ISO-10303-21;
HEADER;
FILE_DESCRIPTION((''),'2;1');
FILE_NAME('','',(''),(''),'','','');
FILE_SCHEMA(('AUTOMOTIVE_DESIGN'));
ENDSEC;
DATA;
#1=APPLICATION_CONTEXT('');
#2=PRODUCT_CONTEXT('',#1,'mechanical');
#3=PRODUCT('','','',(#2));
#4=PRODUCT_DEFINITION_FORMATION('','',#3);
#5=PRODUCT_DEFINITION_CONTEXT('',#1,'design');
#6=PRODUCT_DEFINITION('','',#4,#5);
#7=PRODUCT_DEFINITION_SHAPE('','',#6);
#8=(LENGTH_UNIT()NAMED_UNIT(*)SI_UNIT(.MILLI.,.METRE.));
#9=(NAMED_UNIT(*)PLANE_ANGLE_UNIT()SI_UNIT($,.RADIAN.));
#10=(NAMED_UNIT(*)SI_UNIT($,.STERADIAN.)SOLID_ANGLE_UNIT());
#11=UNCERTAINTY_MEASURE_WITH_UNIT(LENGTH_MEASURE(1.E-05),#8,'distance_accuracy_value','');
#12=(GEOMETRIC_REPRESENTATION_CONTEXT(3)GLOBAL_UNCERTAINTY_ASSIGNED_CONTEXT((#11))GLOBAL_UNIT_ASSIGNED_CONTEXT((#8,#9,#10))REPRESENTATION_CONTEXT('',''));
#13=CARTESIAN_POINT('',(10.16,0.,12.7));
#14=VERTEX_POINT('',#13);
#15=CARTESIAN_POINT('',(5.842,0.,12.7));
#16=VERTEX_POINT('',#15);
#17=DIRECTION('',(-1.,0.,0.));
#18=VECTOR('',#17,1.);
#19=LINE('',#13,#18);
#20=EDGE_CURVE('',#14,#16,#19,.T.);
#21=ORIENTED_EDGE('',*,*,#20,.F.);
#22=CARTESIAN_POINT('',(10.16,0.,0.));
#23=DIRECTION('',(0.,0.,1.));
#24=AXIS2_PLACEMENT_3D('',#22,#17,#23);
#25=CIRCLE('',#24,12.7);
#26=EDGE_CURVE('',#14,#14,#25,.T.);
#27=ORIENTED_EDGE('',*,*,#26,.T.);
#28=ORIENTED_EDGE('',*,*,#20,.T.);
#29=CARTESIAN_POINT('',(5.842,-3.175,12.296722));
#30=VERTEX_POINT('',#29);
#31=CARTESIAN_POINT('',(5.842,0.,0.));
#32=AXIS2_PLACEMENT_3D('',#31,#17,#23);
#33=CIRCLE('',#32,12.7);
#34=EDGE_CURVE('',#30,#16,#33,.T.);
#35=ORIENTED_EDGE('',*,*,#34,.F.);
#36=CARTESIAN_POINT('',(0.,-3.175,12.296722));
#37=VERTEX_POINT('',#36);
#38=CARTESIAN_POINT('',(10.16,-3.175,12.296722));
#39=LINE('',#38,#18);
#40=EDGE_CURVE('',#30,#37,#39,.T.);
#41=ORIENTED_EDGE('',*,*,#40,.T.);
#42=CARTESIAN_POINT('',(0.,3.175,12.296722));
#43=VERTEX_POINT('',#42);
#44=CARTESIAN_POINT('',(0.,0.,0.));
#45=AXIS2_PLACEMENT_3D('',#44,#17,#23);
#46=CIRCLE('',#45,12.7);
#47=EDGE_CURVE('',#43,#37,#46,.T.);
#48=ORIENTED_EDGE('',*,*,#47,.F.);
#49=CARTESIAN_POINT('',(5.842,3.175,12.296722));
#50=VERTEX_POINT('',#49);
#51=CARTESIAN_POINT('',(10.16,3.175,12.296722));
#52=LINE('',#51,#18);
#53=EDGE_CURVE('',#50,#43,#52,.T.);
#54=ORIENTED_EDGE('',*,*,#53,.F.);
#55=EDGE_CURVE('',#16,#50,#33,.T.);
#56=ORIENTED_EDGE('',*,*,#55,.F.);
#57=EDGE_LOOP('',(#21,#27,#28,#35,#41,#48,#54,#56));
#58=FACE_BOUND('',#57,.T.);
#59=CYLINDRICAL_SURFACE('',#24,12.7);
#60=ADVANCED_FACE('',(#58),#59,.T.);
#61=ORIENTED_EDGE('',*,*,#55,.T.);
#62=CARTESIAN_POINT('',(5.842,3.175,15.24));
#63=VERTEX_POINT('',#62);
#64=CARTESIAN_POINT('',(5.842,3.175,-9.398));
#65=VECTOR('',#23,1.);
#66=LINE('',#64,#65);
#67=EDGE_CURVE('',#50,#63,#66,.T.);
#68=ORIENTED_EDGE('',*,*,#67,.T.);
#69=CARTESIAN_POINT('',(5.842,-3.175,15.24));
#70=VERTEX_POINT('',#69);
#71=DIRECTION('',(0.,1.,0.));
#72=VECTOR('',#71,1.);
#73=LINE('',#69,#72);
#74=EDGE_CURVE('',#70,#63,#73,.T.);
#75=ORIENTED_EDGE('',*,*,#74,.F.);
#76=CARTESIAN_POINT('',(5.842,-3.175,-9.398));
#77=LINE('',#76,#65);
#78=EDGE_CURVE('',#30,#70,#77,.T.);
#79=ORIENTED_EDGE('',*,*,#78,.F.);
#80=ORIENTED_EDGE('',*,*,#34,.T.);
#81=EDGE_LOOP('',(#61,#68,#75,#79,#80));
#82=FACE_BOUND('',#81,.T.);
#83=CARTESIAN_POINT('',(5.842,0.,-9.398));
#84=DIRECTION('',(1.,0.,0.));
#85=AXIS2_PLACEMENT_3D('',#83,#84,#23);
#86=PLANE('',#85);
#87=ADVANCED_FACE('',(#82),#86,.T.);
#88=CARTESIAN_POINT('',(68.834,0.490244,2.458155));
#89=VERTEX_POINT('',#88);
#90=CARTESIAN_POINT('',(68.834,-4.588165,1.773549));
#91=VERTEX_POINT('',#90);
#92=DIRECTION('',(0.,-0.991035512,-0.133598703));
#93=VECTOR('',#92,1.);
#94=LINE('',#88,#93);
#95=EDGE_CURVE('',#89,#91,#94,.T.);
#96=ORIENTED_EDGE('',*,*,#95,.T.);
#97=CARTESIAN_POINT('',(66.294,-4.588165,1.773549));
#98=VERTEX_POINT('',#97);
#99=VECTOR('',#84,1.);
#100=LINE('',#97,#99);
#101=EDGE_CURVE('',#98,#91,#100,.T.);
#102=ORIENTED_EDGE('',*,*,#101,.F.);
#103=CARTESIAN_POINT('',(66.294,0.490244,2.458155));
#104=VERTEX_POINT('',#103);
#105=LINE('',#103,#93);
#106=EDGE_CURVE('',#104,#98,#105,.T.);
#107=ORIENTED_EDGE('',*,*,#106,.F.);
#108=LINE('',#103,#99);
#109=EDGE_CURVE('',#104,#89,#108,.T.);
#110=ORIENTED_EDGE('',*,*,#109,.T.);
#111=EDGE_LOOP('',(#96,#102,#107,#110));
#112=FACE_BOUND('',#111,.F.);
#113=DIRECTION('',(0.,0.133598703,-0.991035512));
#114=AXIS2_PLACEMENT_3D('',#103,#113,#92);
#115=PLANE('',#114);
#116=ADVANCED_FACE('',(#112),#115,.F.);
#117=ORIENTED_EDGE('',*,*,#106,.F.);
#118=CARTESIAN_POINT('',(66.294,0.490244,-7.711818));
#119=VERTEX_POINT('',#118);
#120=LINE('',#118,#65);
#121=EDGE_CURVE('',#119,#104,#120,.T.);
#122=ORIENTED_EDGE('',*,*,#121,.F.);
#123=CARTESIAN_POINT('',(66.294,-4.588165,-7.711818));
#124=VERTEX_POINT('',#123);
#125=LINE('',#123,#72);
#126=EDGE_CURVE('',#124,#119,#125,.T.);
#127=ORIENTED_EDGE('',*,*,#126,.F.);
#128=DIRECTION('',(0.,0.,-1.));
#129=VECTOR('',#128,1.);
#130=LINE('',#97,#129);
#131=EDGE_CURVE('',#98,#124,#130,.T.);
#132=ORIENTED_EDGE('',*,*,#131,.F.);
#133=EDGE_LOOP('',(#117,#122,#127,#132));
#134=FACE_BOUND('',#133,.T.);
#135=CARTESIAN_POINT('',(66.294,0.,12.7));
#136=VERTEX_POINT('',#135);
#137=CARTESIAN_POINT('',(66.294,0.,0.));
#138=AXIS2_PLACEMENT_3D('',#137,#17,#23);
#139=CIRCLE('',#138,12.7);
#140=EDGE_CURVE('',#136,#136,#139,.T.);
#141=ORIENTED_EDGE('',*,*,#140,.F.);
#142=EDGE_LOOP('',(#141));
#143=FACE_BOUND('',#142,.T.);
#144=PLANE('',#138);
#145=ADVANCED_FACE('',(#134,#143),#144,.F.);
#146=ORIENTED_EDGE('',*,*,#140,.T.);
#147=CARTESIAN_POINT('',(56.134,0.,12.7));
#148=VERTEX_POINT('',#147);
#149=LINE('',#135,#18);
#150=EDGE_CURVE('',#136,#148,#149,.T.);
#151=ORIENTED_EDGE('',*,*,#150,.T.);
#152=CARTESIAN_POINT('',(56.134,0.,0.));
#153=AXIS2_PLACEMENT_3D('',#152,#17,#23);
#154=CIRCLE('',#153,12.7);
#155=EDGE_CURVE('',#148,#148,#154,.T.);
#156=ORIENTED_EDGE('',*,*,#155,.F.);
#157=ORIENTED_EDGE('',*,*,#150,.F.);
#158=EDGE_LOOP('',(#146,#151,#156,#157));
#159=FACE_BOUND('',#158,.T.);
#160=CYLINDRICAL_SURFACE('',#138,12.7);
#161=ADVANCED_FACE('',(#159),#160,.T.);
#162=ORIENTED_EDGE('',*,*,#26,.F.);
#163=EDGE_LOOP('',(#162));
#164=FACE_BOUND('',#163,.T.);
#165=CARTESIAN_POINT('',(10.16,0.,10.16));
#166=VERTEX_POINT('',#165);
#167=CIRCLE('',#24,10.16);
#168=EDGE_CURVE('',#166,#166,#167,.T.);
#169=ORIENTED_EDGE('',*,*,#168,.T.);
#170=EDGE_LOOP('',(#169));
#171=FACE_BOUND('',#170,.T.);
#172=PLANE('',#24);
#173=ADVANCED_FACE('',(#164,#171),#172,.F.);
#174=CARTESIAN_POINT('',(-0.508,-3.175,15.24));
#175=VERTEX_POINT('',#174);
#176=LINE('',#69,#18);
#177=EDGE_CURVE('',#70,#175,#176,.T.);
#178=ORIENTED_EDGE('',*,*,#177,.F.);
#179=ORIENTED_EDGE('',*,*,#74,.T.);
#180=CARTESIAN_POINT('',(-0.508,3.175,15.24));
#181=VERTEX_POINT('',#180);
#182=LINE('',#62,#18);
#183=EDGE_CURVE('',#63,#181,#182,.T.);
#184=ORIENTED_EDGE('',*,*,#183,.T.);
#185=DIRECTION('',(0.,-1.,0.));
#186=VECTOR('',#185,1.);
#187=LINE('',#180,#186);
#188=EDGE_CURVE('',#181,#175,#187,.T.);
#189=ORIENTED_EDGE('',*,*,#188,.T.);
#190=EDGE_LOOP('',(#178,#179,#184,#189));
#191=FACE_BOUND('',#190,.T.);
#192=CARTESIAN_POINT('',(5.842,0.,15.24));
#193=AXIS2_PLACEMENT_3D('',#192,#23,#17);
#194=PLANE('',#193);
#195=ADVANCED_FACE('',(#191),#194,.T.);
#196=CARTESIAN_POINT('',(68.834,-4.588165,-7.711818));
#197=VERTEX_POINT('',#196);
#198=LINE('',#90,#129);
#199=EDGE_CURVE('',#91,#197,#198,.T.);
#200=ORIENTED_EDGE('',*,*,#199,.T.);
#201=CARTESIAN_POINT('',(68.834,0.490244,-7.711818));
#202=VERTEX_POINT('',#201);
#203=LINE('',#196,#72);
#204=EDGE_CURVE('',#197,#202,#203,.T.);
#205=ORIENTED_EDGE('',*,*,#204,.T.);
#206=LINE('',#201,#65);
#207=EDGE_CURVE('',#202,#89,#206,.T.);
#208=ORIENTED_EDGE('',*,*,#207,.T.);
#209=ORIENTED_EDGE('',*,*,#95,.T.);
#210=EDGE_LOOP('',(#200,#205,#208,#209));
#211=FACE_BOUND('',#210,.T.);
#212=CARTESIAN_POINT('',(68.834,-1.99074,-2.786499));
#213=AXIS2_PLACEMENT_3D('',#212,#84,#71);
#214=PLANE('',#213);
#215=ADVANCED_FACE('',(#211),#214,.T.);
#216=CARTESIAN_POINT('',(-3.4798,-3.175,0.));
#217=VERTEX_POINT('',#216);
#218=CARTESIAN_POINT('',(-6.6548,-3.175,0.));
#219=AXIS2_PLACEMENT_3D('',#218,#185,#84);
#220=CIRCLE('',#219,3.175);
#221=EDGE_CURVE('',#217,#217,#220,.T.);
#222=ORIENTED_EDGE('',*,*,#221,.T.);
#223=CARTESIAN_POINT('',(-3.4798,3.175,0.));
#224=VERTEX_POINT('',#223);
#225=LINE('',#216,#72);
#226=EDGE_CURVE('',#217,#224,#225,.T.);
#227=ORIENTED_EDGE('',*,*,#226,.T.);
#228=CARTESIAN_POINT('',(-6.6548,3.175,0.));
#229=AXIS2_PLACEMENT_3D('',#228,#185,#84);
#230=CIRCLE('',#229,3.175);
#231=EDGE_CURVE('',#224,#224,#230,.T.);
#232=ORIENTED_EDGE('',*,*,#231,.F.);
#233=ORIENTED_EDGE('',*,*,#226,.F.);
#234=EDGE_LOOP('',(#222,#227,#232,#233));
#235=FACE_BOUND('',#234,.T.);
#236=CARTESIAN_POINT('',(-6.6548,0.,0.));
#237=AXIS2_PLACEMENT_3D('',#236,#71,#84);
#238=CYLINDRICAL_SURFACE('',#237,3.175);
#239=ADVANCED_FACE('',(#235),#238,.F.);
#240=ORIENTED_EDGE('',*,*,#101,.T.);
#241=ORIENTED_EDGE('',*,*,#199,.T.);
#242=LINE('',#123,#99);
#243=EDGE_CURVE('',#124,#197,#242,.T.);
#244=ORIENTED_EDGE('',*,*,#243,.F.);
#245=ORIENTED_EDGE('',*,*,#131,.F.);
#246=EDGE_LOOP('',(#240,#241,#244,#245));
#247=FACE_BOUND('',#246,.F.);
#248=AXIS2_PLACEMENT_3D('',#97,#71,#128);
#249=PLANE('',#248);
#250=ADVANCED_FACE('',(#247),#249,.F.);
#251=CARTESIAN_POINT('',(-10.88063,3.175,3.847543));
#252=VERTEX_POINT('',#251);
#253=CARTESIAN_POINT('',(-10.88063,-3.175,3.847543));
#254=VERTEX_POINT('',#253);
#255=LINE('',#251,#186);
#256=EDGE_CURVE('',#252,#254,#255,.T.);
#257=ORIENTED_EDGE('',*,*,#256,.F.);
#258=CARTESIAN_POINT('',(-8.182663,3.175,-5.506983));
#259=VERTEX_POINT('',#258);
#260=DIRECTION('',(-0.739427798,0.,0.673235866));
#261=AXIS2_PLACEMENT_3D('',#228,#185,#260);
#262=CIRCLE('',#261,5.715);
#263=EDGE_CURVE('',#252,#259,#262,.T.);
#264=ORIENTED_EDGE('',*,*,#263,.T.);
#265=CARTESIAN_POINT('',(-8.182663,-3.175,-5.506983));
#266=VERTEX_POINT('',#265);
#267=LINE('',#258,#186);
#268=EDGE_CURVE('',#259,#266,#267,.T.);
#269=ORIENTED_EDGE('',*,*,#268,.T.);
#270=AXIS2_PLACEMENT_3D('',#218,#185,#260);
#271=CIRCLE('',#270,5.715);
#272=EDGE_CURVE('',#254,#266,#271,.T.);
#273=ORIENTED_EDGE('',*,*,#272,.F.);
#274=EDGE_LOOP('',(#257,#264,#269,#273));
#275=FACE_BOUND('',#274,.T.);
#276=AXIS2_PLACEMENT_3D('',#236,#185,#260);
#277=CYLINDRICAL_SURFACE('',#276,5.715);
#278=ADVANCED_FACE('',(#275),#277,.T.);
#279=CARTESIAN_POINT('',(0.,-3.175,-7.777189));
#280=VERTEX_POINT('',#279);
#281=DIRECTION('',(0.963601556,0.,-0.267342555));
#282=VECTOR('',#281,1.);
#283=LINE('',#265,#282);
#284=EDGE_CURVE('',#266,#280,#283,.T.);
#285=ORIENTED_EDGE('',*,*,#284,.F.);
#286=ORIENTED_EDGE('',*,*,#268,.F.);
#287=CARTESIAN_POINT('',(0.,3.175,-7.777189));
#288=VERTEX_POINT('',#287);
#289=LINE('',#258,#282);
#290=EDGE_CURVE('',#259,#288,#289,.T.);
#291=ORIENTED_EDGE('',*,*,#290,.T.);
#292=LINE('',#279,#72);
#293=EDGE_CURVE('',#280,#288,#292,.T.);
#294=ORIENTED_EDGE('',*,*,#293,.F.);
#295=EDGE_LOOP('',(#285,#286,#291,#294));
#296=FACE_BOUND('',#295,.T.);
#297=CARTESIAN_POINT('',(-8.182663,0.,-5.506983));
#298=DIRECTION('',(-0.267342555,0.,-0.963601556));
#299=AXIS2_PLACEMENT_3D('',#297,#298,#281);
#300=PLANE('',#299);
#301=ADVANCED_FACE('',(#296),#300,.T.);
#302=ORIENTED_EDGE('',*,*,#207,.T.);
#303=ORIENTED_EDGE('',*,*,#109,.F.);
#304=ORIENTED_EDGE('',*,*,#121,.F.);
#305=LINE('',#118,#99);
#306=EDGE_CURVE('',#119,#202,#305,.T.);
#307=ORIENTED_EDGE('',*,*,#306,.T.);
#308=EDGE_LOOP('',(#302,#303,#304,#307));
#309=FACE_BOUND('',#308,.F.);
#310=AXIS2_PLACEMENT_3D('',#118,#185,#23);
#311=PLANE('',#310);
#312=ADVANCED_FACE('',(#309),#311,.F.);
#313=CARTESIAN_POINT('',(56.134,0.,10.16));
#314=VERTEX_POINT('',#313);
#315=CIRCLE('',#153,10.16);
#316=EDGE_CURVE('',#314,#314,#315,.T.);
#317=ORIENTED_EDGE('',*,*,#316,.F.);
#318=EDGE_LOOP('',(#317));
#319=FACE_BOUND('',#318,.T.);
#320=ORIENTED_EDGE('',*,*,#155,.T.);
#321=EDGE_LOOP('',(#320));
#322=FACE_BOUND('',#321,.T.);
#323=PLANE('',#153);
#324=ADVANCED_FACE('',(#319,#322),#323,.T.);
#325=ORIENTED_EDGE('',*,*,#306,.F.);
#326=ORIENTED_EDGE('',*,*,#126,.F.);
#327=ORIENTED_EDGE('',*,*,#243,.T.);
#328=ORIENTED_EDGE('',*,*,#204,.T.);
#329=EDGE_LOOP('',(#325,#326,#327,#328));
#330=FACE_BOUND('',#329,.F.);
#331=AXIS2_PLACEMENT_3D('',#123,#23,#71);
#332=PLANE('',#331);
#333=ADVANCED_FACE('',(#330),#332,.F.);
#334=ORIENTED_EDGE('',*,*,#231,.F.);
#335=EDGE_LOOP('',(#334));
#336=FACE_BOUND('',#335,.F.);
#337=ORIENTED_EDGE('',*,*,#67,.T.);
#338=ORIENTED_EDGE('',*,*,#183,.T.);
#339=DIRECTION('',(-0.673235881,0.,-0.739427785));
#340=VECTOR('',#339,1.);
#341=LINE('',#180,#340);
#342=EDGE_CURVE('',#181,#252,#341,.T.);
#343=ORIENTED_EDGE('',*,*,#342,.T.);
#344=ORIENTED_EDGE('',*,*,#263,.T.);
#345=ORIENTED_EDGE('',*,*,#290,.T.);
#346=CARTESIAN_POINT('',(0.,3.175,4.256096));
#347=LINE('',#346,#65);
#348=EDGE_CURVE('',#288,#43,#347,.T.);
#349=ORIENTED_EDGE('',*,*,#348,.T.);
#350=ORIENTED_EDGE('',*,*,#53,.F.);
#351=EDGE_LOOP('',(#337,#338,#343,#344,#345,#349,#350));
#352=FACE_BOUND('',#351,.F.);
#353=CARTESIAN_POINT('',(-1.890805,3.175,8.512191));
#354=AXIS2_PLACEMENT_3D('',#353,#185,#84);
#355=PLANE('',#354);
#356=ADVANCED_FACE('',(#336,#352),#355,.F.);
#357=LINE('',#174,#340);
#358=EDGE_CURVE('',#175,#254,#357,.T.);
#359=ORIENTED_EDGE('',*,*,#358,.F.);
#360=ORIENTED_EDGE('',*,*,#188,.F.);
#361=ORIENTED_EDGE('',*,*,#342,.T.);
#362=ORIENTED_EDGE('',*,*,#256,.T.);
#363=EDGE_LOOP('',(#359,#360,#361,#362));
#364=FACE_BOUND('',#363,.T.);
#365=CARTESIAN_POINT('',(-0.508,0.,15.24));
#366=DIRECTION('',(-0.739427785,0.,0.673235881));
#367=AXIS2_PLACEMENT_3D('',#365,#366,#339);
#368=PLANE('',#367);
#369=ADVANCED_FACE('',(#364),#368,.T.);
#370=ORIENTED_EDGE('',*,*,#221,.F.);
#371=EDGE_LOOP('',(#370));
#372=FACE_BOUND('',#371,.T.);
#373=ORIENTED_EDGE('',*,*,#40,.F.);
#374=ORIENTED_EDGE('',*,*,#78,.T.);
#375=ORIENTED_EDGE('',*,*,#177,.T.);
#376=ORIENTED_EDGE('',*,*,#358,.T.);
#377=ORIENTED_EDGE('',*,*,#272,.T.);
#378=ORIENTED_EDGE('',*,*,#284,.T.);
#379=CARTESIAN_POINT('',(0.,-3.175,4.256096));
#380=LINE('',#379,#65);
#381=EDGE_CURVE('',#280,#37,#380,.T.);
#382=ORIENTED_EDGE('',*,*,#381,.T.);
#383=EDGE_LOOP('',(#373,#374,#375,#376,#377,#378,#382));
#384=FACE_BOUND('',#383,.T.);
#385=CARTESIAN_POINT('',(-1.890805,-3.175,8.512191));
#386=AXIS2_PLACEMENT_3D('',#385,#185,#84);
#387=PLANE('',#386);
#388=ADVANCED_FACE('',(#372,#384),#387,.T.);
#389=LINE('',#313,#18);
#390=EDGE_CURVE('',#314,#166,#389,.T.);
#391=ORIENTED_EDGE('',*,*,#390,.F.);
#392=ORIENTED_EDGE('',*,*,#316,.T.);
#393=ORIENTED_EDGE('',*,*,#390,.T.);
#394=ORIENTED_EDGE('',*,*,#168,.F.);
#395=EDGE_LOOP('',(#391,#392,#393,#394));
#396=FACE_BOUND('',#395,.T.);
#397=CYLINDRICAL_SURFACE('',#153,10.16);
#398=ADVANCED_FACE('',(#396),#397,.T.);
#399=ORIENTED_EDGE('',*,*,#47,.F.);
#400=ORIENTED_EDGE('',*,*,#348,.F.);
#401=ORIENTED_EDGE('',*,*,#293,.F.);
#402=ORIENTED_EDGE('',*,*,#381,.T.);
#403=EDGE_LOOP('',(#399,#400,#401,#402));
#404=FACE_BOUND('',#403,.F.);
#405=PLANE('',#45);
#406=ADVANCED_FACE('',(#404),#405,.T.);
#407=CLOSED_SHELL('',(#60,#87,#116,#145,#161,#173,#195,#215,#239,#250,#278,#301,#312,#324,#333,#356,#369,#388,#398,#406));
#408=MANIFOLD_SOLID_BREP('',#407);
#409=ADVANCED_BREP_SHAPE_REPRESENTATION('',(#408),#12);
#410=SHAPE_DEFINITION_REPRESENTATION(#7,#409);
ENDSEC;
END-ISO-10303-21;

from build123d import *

# Parameters (mm, degrees)
F0_R     = 3.175
F0_W     = 5.842
F0_H     = 12.7
F1_DEPTH = 3.175
F4_DEPTH = 2.54


with BuildPart() as f1:
    # F0 (on Front) → F1 (new body, symmetric)
    with BuildSketch(Plane.XZ):
        with BuildLine():
            Line((-0.9398, 0), (0, 0))
            Line((0, 0), (0, 12.7))
            Line((0, 12.7), (5.842, 12.7))
            Line((5.842, 12.7), (5.842, 15.24))
            Line((5.842, 15.24), (-0.508, 15.24))
            Line((-0.508, 15.24), (-10.88063, 3.847543))
            ThreePointArc((-10.88063, 3.847543), (-4.591961, 5.329721), (-0.9398, 0))
        make_face()
        with BuildLine():
            ThreePointArc((-8.182663, -5.506983), (-3.195791, -4.549339), (-0.9398, 0))
            ThreePointArc((-0.9398, 0), (-4.591961, 5.329721), (-10.88063, 3.847543))
            ThreePointArc((-10.88063, 3.847543), (-12.145978, -1.583727), (-8.182663, -5.506983))
        make_face()
        with Locations((-6.6548, 0)):
            Circle(F0_R, mode=Mode.SUBTRACT)
        with BuildLine():
            Line((0, -7.777189), (0, 0))
            Line((0, 0), (-0.9398, 0))
            ThreePointArc((-0.9398, 0), (-3.195791, -4.549339), (-8.182663, -5.506983))
            Line((-8.182663, -5.506983), (0, -7.777189))
        make_face()
        Polygon((5.842, 0), (0, 0), (0, -7.777189), (5.842, -9.398), align=None)
        with Locations((2.921, 6.35)):
            Rectangle(F0_W, F0_H)
    extrude(amount=F1_DEPTH, both=True)

    # F0 (on Front) → F2 (revolve)
    with BuildSketch(Plane.XZ):
        Polygon((5.842, 12.7), (5.842, 0), (66.294, 0), (66.294, 12.7), (56.134, 12.7), (56.134, 10.16), (10.16, 10.16), (10.16, 12.7), align=None)
        with Locations((2.921, 6.35)):
            Rectangle(F0_W, F0_H)
    revolve(axis=Axis((33.147, 0, 0), (-1, 0, 0)))

    # F3 (on face) → F4 (join)
    with BuildSketch(Plane.YZ.offset(66.294)):
        Polygon((0.490244, 2.458155), (-4.588165, 1.773549), (-4.588165, -7.711818), (0.490244, -7.711818), align=None)
    extrude(amount=F4_DEPTH)


solid = f1.part
